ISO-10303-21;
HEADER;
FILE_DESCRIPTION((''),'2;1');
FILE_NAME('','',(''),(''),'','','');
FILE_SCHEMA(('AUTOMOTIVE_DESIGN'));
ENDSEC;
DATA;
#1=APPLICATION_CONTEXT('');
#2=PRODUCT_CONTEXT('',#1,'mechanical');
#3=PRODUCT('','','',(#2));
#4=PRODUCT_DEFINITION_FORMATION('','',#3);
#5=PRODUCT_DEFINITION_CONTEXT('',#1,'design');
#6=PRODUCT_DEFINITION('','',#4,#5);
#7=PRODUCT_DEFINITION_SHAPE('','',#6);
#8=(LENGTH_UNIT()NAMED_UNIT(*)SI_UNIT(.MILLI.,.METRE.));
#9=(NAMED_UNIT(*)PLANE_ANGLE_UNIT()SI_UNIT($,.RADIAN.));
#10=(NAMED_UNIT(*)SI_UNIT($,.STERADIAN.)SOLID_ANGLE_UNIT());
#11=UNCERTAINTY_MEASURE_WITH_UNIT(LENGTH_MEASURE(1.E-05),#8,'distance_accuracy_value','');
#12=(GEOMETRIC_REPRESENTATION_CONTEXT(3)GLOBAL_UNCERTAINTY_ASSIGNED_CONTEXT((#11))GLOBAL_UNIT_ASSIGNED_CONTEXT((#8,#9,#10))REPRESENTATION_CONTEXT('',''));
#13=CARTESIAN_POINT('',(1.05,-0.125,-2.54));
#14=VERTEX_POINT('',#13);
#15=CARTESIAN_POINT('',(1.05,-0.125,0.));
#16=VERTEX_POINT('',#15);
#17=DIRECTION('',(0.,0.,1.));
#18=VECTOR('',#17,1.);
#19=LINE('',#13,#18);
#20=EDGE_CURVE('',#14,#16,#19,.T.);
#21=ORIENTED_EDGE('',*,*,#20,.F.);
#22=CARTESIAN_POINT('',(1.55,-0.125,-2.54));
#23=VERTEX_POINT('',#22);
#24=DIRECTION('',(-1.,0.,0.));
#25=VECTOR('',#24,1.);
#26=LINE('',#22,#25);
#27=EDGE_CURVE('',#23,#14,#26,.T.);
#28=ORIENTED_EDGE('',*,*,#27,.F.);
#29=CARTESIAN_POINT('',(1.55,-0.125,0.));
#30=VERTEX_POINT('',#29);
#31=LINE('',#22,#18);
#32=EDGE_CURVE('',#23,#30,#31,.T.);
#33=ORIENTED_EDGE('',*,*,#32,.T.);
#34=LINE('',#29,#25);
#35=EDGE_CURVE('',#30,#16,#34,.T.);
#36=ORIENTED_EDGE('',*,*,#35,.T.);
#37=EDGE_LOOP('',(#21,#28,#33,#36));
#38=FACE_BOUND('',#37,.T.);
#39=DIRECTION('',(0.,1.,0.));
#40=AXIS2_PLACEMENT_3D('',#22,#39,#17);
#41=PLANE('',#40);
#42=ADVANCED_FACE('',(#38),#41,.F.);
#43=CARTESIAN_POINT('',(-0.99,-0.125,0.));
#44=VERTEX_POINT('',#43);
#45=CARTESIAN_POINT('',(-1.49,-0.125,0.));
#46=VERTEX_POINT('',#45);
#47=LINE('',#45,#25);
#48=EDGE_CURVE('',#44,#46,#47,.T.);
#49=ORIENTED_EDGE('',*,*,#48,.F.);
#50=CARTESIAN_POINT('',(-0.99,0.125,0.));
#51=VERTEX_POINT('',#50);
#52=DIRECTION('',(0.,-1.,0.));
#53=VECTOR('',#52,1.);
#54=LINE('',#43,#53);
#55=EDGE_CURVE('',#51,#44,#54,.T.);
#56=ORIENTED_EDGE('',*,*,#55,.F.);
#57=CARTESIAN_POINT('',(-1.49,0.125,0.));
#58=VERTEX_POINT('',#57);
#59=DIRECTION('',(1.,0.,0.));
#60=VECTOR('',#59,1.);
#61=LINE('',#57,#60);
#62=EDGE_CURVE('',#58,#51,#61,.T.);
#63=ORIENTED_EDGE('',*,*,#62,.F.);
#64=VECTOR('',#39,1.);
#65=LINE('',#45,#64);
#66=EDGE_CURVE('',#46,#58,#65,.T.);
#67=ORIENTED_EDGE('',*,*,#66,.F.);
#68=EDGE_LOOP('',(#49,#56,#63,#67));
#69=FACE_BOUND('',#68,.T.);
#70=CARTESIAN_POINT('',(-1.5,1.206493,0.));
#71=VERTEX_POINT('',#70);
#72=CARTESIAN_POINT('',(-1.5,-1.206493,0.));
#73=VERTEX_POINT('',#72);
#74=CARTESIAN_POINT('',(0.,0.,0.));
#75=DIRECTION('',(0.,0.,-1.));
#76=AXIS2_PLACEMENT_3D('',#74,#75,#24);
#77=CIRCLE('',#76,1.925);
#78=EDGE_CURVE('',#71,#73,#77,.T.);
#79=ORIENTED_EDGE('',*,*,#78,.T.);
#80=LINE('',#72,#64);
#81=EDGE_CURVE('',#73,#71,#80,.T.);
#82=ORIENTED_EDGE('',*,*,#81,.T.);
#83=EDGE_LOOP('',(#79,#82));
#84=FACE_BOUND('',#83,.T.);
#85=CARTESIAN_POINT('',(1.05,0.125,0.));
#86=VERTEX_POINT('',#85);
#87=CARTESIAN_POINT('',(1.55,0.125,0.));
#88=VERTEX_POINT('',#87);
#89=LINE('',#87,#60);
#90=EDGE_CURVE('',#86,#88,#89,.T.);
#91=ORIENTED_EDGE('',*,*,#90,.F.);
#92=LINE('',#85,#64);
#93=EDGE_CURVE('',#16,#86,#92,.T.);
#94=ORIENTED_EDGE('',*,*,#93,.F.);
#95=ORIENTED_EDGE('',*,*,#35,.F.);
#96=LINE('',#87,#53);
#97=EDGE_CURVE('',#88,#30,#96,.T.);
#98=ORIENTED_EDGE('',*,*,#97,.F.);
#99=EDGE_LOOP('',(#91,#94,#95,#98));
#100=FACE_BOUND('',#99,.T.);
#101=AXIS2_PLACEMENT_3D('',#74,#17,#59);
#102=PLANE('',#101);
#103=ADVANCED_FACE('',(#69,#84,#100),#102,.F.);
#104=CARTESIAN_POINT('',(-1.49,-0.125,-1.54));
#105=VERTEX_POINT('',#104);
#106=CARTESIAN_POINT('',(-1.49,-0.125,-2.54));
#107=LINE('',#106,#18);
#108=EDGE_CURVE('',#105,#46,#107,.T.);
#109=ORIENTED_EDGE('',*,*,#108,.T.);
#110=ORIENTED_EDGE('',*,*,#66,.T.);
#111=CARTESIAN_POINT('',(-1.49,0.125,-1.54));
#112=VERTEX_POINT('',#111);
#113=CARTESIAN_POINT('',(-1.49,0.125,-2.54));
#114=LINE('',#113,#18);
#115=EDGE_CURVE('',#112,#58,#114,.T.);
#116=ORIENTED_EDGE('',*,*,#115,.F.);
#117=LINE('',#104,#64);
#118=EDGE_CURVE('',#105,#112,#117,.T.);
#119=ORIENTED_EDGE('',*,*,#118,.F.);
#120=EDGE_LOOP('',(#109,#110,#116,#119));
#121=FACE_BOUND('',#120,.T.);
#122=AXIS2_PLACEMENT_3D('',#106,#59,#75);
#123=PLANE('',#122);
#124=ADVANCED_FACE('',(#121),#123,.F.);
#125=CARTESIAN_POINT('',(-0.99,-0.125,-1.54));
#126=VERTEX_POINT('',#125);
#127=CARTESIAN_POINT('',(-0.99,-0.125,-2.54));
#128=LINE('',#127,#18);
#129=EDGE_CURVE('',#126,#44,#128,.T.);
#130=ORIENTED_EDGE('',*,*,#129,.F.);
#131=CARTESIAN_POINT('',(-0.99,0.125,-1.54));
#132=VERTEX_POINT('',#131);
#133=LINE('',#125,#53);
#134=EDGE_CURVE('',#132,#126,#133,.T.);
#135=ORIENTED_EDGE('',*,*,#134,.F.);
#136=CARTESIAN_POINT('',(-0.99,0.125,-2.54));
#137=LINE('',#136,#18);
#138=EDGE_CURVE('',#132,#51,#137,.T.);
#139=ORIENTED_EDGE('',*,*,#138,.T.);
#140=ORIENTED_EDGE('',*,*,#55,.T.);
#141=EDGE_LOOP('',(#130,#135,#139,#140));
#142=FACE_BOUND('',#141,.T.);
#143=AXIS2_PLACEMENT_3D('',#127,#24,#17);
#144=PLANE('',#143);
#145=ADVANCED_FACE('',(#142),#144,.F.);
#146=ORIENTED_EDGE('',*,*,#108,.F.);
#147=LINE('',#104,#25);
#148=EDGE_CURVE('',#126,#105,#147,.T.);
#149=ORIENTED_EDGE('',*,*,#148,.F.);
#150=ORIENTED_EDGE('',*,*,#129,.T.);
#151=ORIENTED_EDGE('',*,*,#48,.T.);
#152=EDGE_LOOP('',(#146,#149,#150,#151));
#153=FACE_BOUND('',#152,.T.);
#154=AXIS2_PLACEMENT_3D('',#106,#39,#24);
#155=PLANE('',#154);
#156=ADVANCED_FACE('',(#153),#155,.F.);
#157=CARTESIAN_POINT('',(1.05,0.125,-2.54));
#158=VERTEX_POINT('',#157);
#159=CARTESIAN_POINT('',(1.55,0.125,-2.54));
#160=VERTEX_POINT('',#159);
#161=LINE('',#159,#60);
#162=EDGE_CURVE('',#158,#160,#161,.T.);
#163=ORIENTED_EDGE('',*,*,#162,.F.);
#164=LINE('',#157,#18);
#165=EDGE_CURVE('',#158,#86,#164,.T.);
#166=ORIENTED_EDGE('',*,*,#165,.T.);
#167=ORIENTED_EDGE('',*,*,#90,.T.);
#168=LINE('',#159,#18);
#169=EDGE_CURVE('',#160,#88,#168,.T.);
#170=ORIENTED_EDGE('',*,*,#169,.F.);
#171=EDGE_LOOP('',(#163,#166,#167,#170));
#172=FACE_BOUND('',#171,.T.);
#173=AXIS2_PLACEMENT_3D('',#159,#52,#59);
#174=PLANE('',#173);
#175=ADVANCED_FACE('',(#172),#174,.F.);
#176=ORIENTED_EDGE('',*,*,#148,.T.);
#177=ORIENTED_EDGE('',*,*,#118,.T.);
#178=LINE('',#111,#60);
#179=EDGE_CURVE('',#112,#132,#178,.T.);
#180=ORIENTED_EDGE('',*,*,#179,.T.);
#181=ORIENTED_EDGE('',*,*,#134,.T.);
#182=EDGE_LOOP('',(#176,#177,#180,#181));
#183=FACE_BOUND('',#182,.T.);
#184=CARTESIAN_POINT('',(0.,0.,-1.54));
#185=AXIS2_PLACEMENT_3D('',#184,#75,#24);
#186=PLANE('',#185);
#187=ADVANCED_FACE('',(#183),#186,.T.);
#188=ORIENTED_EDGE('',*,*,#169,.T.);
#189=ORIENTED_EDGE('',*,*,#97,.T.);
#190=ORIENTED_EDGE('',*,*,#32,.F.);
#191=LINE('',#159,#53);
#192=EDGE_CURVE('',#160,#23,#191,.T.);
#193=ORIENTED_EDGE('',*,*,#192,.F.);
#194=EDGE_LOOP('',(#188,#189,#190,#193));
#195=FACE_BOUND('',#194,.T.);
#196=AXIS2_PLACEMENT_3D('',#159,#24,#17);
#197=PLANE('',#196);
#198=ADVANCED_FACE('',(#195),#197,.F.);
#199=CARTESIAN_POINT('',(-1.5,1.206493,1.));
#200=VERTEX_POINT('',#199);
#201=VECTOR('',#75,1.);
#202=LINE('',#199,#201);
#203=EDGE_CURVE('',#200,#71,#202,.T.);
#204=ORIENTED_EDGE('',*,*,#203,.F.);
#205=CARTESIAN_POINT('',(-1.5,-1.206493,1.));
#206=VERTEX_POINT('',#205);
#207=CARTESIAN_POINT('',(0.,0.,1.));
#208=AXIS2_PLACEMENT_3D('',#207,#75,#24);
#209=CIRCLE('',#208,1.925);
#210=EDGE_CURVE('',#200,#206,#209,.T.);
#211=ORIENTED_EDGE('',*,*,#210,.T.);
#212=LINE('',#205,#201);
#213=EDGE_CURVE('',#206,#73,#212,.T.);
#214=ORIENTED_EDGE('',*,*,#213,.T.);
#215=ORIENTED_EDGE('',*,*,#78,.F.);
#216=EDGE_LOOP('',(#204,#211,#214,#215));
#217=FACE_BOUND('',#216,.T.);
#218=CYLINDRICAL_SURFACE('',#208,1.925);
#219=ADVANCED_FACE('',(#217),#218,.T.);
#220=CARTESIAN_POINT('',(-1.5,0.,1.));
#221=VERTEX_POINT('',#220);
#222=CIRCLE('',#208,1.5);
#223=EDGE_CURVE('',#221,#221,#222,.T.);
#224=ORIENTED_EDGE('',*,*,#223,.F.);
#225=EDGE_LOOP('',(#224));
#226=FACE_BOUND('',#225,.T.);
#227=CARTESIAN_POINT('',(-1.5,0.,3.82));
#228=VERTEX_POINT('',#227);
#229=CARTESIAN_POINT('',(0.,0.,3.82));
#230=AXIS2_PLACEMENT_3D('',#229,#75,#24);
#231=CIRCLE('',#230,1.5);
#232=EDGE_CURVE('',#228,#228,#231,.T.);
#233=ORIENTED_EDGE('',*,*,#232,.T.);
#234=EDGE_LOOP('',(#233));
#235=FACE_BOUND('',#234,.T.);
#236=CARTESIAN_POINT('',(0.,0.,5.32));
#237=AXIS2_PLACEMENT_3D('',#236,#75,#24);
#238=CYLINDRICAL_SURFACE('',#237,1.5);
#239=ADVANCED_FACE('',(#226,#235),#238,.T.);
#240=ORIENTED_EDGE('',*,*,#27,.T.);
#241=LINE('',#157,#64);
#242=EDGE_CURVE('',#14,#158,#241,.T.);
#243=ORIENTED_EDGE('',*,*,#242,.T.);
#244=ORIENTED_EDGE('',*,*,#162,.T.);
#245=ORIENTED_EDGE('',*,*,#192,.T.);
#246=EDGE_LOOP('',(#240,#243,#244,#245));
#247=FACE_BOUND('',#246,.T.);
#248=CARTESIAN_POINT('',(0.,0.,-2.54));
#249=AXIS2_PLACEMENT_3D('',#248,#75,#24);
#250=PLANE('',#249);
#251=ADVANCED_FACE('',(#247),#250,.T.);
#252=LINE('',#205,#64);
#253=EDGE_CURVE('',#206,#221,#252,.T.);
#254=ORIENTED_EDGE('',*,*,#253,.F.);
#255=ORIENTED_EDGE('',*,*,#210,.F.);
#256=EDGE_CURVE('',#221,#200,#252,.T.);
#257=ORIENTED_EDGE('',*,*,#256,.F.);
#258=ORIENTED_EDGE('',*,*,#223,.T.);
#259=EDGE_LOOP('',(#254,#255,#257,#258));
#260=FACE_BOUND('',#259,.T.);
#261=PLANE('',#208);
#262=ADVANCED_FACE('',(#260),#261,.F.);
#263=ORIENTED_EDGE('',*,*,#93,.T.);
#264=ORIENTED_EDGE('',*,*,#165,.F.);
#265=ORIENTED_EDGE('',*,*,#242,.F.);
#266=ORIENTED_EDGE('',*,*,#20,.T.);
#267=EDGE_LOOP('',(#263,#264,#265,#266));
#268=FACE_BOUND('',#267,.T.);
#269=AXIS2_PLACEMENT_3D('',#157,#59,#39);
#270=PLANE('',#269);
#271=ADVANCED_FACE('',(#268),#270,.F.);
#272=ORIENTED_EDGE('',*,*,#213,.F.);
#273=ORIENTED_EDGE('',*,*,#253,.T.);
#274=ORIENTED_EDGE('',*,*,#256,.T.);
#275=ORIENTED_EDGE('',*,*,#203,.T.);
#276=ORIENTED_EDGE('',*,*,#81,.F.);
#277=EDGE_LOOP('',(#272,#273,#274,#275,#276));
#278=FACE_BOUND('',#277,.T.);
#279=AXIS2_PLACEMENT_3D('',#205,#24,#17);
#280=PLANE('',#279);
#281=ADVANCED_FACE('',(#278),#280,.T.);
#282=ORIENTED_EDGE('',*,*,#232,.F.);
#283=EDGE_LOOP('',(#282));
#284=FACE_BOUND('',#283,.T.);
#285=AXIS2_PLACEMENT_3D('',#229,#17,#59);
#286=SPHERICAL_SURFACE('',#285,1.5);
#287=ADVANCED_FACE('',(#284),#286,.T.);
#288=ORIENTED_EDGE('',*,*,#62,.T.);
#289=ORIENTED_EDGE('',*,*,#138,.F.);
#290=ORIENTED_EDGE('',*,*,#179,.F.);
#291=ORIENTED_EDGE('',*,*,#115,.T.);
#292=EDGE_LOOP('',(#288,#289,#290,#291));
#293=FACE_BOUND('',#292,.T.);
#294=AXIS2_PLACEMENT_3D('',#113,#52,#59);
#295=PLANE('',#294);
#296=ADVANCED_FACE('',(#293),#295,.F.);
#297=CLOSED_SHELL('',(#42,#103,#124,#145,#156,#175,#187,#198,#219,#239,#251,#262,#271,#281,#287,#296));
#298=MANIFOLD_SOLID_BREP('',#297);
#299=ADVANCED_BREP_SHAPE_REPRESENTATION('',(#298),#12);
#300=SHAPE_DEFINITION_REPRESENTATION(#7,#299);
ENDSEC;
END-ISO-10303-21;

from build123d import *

# Parameters (mm, degrees)
ESBO_O1_R                = 1.5
RESSALTO_EXTRUS_O1_DEPTH = 5.32
FILETE1_R                = 1.5
RESSALTO_EXTRUS_O2_DEPTH = 1
ESBO_O3_W                = 0.5
ESBO_O3_H                = 0.25
RESSALTO_EXTRUS_O3_DEPTH = 2.54
ESBO_O4_W                = 0.93593998
ESBO_O4_H                = 0.492175334
CORTE_EXTRUS_O1_DEPTH    = 1


with BuildPart() as part:
    # Esboço1 → Ressalto-extrusão1 (new body)
    with BuildSketch(Plane.XY):
        Circle(ESBO_O1_R)
    extrude(amount=RESSALTO_EXTRUS_O1_DEPTH)

    # Filete1
    filete1_edges = [part.edges().sort_by_distance(p)[0] for p in [
        (-1.5, 0, 5.32),
    ]]
    fillet(filete1_edges, radius=FILETE1_R)

    # Esboço2 → Ressalto-extrusão2 (add)
    with BuildSketch(Plane(origin=(0, 0, 0), x_dir=(-1, 0, 0), z_dir=(0, 0, -1))):
        with BuildLine():
            Line((1.5, -1.206492851), (1.5, 1.206492851))
            ThreePointArc((1.5, 1.206492851), (-1.925, 0), (1.5, -1.206492851))
        make_face()
    extrude(amount=-RESSALTO_EXTRUS_O2_DEPTH)

    # Esboço3 → Ressalto-extrusão3 (add)
    with BuildSketch(Plane(origin=(0, 0, 0), x_dir=(-1, 0, 0), z_dir=(0, 0, -1))):
        with Locations((-1.3, 0)):
            Rectangle(ESBO_O3_W, ESBO_O3_H)
        with Locations((1.24, 0)):
            Rectangle(ESBO_O3_W, ESBO_O3_H)
    extrude(amount=RESSALTO_EXTRUS_O3_DEPTH)

    # Esboço4 → Corte-extrusão1 (cut)
    with BuildSketch(Plane(origin=(0, 0, -2.54), x_dir=(-1, 0, 0), z_dir=(0, 0, -1))):
        with Locations((1.231752211, 0.012102672)):
            Rectangle(ESBO_O4_W, ESBO_O4_H)
    extrude(amount=-CORTE_EXTRUS_O1_DEPTH, mode=Mode.SUBTRACT)


solid = part.part
